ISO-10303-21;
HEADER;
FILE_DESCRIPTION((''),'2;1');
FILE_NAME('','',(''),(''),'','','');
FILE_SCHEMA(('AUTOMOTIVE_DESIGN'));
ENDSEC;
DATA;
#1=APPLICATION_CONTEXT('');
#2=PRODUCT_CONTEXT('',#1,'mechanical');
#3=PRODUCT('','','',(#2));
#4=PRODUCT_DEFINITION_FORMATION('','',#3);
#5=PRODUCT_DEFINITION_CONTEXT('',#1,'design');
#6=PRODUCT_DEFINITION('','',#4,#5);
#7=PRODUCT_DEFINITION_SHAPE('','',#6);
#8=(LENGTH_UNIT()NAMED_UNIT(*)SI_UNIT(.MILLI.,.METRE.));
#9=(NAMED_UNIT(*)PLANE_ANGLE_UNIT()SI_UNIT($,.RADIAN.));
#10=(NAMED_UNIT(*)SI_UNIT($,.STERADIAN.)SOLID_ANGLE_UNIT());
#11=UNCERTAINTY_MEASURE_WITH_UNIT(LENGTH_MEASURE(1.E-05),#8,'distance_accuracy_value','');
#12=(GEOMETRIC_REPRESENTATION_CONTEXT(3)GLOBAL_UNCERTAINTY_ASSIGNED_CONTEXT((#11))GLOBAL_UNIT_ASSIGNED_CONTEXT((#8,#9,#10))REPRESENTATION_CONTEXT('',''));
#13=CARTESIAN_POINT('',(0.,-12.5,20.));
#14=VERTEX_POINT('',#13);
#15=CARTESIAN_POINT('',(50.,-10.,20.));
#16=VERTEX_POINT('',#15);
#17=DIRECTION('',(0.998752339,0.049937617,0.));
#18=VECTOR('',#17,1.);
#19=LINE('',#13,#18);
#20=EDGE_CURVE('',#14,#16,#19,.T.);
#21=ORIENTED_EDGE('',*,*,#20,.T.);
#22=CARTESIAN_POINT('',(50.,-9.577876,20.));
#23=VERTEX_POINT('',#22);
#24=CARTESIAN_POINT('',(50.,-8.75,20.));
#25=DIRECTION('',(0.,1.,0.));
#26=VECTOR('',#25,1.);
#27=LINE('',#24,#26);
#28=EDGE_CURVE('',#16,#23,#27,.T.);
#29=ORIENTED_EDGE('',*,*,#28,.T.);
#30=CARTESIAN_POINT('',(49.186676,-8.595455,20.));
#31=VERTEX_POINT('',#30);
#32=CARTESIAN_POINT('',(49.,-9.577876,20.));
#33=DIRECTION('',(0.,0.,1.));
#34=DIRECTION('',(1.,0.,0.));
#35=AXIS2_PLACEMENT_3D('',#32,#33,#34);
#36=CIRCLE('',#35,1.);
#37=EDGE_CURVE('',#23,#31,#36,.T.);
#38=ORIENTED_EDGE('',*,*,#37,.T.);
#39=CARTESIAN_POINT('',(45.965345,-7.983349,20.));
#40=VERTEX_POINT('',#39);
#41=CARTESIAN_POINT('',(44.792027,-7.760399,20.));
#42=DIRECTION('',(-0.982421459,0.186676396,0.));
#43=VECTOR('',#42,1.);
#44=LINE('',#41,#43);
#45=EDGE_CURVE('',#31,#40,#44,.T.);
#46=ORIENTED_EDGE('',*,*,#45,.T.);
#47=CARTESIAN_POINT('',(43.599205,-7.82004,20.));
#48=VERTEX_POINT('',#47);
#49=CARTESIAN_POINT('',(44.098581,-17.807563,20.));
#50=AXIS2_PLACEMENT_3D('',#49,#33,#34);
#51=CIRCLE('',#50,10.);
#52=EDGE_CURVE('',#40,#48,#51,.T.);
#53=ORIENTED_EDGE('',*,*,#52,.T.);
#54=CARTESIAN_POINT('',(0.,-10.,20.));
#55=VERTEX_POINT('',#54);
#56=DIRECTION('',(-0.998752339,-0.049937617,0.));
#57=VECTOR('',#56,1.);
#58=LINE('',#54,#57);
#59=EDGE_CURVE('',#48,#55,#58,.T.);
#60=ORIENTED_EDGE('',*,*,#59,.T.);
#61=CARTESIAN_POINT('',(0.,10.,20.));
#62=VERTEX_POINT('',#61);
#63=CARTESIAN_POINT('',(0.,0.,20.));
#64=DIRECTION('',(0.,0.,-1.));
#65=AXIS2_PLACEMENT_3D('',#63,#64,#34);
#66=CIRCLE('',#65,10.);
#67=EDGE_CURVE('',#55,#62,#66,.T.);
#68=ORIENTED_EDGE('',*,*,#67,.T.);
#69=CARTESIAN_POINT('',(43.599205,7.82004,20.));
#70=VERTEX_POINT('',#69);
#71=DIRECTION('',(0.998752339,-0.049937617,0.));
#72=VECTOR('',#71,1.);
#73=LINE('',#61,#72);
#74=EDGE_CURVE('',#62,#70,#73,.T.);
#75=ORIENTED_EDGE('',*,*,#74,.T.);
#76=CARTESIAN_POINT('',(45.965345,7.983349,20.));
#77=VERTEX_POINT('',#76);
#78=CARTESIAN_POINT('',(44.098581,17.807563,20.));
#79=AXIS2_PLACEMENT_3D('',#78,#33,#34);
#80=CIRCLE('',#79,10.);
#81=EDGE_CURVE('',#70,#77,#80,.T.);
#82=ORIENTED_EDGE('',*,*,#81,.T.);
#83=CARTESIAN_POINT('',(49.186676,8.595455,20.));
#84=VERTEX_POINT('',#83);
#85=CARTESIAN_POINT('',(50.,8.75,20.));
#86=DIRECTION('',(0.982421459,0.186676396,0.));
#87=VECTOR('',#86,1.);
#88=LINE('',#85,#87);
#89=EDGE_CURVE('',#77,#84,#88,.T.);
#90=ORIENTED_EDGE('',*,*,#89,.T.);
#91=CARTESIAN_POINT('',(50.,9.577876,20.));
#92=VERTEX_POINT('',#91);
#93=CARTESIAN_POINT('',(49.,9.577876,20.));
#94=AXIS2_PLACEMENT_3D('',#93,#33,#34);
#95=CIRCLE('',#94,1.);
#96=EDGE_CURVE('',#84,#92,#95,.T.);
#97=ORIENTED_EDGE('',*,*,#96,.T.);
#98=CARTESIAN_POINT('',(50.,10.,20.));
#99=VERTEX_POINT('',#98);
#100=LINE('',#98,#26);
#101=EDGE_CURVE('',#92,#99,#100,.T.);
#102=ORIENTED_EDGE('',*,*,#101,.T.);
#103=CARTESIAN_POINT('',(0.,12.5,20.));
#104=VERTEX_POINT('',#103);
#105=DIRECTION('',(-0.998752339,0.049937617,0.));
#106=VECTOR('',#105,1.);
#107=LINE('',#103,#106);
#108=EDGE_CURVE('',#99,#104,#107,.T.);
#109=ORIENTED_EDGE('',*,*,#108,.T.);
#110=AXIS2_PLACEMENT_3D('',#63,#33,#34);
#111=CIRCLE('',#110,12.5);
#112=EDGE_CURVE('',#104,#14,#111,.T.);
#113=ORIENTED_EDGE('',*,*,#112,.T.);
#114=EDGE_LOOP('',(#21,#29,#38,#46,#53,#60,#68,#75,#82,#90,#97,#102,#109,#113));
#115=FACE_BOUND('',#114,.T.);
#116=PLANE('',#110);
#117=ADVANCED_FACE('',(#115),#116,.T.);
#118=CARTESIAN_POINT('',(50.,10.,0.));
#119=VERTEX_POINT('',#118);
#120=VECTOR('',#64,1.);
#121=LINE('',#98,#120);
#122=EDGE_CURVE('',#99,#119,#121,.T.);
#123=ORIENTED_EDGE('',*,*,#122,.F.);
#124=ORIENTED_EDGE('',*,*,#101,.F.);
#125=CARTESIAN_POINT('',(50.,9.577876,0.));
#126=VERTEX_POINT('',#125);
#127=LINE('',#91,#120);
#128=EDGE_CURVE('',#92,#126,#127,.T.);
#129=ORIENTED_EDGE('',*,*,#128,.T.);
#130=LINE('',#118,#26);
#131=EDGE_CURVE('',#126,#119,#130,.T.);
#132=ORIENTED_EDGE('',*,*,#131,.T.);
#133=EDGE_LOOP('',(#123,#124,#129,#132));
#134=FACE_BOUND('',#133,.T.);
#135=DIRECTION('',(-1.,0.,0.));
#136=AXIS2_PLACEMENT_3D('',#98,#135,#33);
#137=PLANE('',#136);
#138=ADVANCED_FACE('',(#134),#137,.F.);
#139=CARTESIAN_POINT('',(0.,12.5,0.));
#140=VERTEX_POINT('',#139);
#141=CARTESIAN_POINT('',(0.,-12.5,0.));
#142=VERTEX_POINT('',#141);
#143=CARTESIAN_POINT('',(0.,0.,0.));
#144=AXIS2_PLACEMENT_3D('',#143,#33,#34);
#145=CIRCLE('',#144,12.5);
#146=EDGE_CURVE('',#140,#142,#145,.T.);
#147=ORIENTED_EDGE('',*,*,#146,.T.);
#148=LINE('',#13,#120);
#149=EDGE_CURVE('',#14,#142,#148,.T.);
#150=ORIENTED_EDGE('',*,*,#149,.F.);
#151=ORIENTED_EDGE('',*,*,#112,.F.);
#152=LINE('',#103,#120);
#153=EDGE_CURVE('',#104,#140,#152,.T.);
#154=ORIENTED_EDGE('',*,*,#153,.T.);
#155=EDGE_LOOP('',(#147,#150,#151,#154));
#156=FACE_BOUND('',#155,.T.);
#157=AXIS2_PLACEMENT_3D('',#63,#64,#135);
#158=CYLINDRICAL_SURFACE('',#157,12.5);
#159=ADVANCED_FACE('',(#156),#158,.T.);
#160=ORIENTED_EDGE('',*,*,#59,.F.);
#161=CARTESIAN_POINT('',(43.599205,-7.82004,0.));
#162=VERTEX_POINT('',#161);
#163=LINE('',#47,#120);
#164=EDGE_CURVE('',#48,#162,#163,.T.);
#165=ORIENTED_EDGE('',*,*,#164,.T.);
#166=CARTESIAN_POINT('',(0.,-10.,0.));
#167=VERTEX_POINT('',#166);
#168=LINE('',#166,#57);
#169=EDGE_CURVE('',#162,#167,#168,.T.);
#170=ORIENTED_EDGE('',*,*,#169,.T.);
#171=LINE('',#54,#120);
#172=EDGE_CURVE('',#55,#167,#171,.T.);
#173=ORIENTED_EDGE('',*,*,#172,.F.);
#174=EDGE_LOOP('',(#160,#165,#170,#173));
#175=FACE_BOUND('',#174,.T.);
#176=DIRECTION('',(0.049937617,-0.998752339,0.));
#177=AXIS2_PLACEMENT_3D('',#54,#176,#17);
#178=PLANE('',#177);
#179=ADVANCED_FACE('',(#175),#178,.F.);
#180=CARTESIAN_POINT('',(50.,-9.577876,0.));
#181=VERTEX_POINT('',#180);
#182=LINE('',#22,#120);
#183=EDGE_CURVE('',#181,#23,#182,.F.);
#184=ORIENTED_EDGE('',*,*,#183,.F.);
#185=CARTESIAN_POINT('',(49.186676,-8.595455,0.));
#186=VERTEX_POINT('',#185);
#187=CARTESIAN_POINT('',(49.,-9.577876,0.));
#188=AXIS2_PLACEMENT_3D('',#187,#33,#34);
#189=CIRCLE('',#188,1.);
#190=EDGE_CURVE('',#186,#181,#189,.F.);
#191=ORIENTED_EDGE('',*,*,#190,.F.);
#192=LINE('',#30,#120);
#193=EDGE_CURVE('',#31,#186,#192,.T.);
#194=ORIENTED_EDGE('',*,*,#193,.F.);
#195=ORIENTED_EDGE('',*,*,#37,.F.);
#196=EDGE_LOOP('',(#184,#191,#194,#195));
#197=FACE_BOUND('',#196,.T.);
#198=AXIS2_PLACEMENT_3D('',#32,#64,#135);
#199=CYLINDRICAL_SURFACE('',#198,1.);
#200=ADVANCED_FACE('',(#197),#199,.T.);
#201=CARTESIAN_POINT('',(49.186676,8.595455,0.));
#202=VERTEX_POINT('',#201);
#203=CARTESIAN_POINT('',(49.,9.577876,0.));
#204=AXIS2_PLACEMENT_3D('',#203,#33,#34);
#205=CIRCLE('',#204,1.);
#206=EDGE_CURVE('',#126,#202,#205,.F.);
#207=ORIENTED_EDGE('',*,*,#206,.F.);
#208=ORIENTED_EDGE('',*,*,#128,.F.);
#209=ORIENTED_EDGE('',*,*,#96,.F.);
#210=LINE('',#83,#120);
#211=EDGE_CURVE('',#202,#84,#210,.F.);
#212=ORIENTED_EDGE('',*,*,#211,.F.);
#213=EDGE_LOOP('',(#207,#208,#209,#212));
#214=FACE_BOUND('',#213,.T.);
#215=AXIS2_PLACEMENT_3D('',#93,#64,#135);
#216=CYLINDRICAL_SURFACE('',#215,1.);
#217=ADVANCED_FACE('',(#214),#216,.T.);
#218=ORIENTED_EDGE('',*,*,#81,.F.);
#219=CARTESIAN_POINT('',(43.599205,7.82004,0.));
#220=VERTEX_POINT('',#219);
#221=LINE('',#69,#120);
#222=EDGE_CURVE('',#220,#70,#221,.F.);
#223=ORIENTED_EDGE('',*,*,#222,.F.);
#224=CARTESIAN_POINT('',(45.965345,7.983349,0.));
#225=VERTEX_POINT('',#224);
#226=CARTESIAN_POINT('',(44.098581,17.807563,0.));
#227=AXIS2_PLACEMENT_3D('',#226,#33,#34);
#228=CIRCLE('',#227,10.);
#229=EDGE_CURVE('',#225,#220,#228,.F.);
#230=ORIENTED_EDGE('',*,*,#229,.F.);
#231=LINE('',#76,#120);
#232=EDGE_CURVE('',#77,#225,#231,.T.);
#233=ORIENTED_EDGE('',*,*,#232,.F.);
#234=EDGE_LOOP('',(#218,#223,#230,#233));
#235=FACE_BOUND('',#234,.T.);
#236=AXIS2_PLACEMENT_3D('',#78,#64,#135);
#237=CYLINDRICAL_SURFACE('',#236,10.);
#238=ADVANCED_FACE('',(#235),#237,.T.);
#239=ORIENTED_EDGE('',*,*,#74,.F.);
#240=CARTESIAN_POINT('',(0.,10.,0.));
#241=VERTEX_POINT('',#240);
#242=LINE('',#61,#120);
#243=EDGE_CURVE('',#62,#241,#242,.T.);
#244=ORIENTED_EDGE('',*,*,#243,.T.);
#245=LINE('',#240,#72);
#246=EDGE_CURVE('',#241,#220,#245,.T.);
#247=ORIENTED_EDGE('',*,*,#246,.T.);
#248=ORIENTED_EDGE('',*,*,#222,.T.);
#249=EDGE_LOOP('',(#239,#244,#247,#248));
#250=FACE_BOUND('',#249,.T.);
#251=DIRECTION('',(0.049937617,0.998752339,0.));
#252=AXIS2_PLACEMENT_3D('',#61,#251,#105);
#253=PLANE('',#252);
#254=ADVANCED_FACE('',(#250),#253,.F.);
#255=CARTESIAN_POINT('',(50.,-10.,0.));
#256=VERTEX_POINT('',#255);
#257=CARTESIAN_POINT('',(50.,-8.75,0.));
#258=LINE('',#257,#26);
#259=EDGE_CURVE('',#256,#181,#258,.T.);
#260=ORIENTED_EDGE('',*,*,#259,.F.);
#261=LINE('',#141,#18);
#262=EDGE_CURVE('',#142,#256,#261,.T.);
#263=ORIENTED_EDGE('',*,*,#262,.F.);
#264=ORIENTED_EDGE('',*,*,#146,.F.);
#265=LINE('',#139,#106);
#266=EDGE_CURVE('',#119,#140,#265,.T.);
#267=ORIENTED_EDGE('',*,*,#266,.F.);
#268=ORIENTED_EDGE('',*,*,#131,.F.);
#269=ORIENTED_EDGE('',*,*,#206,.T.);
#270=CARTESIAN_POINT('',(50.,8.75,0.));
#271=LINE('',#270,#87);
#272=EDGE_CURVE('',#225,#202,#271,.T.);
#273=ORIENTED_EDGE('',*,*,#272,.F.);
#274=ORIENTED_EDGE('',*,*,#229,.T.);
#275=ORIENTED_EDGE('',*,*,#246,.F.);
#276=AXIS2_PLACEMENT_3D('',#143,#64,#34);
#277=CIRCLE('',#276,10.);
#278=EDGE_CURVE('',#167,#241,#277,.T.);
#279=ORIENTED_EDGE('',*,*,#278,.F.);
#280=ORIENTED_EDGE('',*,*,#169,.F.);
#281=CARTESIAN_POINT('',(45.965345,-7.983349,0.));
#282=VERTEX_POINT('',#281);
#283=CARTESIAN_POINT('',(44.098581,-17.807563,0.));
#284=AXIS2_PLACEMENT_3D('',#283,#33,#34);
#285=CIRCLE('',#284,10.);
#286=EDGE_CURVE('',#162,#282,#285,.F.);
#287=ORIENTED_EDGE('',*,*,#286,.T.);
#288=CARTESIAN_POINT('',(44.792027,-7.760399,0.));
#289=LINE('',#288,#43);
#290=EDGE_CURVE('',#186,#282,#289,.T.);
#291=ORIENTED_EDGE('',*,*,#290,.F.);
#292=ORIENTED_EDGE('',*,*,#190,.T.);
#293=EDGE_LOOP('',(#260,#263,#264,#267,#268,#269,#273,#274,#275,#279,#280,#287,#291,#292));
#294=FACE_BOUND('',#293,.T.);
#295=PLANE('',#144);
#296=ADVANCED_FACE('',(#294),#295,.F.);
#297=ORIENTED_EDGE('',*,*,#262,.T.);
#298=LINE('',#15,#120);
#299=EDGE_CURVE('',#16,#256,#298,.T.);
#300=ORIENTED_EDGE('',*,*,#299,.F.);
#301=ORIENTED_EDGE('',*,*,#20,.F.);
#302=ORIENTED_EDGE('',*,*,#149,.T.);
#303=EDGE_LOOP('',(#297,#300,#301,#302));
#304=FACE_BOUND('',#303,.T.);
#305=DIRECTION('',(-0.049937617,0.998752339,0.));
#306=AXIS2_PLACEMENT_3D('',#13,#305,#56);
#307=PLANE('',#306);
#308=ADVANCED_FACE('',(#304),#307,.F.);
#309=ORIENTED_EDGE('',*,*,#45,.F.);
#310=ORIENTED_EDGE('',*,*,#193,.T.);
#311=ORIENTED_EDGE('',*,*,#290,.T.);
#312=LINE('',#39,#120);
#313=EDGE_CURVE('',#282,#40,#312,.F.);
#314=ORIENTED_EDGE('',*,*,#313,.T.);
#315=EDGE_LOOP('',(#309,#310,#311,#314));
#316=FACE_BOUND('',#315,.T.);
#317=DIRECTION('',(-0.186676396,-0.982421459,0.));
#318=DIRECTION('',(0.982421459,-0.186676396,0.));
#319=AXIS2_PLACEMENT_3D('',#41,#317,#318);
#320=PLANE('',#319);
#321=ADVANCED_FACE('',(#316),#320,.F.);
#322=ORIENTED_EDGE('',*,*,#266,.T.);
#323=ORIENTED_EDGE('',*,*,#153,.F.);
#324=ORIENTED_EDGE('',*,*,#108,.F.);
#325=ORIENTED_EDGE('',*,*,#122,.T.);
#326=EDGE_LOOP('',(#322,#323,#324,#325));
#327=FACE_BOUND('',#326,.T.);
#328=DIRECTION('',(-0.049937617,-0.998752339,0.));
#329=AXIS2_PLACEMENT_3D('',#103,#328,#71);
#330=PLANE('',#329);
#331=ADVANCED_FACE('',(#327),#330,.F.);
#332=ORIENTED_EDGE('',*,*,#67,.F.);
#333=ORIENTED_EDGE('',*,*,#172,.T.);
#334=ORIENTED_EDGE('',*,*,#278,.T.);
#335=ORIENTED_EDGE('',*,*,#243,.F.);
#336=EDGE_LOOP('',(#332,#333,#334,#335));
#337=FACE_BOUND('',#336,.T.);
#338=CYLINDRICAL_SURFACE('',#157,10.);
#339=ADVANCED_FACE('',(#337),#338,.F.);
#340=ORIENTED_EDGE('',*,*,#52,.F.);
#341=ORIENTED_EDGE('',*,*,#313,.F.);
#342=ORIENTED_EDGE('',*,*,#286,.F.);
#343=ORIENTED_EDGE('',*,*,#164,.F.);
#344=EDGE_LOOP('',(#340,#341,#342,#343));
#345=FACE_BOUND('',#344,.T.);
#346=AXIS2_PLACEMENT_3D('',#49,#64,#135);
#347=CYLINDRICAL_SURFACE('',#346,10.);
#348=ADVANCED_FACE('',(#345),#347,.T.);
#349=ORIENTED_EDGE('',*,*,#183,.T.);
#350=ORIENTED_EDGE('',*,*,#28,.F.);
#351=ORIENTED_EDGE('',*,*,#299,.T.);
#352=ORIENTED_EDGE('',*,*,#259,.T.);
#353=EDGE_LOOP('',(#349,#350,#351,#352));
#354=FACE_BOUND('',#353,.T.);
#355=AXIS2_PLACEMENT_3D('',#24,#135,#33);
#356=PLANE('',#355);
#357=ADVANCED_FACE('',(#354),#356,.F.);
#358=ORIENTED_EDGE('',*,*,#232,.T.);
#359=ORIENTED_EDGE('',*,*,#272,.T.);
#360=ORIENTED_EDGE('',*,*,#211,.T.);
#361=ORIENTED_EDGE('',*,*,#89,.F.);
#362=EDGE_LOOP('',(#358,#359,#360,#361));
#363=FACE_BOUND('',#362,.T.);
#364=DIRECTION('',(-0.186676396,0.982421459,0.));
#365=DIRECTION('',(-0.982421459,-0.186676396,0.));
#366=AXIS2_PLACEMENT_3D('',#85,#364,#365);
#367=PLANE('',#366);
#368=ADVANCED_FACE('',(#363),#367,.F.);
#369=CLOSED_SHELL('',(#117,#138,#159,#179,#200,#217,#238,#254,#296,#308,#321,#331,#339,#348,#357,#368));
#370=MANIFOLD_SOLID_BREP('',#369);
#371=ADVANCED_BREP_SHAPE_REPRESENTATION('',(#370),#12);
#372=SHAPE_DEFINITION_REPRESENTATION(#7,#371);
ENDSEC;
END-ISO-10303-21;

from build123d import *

# Parameters (mm, degrees)
BOSS_EXTRUDE1_DEPTH = 20
FILLET1_R           = 10
FILLET2_R           = 1


with BuildPart() as part:
    # Sketch1 → Boss-Extrude1 (new body)
    with BuildSketch(Plane.XY):
        with BuildLine():
            Line((50, 10), (50, 8.75))
            Line((50, 8.75), (44.792027113, 7.760398644))
            Line((44.792027113, 7.760398644), (0, 10))
            ThreePointArc((0, 10), (-10, 0), (0, -10))
            Line((0, -10), (44.792027113, -7.760398644))
            Line((44.792027113, -7.760398644), (50, -8.75))
            Line((50, -8.75), (50, -10))
            Line((50, -10), (0, -12.5))
            ThreePointArc((0, -12.5), (-12.5, 0), (0, 12.5))
            Line((0, 12.5), (50, 10))
        make_face()
    extrude(amount=BOSS_EXTRUDE1_DEPTH)

    # Fillet1
    fillet1_edges = [part.edges().sort_by_distance(p)[0] for p in [
        (44.792027113, 7.760398644, 10),
        (44.792027113, -7.760398644, 10),
    ]]
    fillet(fillet1_edges, radius=FILLET1_R)

    # Fillet2
    fillet2_edges = [part.edges().sort_by_distance(p)[0] for p in [
        (50, -8.75, 10),
        (50, 8.75, 10),
    ]]
    fillet(fillet2_edges, radius=FILLET2_R)


solid = part.part
